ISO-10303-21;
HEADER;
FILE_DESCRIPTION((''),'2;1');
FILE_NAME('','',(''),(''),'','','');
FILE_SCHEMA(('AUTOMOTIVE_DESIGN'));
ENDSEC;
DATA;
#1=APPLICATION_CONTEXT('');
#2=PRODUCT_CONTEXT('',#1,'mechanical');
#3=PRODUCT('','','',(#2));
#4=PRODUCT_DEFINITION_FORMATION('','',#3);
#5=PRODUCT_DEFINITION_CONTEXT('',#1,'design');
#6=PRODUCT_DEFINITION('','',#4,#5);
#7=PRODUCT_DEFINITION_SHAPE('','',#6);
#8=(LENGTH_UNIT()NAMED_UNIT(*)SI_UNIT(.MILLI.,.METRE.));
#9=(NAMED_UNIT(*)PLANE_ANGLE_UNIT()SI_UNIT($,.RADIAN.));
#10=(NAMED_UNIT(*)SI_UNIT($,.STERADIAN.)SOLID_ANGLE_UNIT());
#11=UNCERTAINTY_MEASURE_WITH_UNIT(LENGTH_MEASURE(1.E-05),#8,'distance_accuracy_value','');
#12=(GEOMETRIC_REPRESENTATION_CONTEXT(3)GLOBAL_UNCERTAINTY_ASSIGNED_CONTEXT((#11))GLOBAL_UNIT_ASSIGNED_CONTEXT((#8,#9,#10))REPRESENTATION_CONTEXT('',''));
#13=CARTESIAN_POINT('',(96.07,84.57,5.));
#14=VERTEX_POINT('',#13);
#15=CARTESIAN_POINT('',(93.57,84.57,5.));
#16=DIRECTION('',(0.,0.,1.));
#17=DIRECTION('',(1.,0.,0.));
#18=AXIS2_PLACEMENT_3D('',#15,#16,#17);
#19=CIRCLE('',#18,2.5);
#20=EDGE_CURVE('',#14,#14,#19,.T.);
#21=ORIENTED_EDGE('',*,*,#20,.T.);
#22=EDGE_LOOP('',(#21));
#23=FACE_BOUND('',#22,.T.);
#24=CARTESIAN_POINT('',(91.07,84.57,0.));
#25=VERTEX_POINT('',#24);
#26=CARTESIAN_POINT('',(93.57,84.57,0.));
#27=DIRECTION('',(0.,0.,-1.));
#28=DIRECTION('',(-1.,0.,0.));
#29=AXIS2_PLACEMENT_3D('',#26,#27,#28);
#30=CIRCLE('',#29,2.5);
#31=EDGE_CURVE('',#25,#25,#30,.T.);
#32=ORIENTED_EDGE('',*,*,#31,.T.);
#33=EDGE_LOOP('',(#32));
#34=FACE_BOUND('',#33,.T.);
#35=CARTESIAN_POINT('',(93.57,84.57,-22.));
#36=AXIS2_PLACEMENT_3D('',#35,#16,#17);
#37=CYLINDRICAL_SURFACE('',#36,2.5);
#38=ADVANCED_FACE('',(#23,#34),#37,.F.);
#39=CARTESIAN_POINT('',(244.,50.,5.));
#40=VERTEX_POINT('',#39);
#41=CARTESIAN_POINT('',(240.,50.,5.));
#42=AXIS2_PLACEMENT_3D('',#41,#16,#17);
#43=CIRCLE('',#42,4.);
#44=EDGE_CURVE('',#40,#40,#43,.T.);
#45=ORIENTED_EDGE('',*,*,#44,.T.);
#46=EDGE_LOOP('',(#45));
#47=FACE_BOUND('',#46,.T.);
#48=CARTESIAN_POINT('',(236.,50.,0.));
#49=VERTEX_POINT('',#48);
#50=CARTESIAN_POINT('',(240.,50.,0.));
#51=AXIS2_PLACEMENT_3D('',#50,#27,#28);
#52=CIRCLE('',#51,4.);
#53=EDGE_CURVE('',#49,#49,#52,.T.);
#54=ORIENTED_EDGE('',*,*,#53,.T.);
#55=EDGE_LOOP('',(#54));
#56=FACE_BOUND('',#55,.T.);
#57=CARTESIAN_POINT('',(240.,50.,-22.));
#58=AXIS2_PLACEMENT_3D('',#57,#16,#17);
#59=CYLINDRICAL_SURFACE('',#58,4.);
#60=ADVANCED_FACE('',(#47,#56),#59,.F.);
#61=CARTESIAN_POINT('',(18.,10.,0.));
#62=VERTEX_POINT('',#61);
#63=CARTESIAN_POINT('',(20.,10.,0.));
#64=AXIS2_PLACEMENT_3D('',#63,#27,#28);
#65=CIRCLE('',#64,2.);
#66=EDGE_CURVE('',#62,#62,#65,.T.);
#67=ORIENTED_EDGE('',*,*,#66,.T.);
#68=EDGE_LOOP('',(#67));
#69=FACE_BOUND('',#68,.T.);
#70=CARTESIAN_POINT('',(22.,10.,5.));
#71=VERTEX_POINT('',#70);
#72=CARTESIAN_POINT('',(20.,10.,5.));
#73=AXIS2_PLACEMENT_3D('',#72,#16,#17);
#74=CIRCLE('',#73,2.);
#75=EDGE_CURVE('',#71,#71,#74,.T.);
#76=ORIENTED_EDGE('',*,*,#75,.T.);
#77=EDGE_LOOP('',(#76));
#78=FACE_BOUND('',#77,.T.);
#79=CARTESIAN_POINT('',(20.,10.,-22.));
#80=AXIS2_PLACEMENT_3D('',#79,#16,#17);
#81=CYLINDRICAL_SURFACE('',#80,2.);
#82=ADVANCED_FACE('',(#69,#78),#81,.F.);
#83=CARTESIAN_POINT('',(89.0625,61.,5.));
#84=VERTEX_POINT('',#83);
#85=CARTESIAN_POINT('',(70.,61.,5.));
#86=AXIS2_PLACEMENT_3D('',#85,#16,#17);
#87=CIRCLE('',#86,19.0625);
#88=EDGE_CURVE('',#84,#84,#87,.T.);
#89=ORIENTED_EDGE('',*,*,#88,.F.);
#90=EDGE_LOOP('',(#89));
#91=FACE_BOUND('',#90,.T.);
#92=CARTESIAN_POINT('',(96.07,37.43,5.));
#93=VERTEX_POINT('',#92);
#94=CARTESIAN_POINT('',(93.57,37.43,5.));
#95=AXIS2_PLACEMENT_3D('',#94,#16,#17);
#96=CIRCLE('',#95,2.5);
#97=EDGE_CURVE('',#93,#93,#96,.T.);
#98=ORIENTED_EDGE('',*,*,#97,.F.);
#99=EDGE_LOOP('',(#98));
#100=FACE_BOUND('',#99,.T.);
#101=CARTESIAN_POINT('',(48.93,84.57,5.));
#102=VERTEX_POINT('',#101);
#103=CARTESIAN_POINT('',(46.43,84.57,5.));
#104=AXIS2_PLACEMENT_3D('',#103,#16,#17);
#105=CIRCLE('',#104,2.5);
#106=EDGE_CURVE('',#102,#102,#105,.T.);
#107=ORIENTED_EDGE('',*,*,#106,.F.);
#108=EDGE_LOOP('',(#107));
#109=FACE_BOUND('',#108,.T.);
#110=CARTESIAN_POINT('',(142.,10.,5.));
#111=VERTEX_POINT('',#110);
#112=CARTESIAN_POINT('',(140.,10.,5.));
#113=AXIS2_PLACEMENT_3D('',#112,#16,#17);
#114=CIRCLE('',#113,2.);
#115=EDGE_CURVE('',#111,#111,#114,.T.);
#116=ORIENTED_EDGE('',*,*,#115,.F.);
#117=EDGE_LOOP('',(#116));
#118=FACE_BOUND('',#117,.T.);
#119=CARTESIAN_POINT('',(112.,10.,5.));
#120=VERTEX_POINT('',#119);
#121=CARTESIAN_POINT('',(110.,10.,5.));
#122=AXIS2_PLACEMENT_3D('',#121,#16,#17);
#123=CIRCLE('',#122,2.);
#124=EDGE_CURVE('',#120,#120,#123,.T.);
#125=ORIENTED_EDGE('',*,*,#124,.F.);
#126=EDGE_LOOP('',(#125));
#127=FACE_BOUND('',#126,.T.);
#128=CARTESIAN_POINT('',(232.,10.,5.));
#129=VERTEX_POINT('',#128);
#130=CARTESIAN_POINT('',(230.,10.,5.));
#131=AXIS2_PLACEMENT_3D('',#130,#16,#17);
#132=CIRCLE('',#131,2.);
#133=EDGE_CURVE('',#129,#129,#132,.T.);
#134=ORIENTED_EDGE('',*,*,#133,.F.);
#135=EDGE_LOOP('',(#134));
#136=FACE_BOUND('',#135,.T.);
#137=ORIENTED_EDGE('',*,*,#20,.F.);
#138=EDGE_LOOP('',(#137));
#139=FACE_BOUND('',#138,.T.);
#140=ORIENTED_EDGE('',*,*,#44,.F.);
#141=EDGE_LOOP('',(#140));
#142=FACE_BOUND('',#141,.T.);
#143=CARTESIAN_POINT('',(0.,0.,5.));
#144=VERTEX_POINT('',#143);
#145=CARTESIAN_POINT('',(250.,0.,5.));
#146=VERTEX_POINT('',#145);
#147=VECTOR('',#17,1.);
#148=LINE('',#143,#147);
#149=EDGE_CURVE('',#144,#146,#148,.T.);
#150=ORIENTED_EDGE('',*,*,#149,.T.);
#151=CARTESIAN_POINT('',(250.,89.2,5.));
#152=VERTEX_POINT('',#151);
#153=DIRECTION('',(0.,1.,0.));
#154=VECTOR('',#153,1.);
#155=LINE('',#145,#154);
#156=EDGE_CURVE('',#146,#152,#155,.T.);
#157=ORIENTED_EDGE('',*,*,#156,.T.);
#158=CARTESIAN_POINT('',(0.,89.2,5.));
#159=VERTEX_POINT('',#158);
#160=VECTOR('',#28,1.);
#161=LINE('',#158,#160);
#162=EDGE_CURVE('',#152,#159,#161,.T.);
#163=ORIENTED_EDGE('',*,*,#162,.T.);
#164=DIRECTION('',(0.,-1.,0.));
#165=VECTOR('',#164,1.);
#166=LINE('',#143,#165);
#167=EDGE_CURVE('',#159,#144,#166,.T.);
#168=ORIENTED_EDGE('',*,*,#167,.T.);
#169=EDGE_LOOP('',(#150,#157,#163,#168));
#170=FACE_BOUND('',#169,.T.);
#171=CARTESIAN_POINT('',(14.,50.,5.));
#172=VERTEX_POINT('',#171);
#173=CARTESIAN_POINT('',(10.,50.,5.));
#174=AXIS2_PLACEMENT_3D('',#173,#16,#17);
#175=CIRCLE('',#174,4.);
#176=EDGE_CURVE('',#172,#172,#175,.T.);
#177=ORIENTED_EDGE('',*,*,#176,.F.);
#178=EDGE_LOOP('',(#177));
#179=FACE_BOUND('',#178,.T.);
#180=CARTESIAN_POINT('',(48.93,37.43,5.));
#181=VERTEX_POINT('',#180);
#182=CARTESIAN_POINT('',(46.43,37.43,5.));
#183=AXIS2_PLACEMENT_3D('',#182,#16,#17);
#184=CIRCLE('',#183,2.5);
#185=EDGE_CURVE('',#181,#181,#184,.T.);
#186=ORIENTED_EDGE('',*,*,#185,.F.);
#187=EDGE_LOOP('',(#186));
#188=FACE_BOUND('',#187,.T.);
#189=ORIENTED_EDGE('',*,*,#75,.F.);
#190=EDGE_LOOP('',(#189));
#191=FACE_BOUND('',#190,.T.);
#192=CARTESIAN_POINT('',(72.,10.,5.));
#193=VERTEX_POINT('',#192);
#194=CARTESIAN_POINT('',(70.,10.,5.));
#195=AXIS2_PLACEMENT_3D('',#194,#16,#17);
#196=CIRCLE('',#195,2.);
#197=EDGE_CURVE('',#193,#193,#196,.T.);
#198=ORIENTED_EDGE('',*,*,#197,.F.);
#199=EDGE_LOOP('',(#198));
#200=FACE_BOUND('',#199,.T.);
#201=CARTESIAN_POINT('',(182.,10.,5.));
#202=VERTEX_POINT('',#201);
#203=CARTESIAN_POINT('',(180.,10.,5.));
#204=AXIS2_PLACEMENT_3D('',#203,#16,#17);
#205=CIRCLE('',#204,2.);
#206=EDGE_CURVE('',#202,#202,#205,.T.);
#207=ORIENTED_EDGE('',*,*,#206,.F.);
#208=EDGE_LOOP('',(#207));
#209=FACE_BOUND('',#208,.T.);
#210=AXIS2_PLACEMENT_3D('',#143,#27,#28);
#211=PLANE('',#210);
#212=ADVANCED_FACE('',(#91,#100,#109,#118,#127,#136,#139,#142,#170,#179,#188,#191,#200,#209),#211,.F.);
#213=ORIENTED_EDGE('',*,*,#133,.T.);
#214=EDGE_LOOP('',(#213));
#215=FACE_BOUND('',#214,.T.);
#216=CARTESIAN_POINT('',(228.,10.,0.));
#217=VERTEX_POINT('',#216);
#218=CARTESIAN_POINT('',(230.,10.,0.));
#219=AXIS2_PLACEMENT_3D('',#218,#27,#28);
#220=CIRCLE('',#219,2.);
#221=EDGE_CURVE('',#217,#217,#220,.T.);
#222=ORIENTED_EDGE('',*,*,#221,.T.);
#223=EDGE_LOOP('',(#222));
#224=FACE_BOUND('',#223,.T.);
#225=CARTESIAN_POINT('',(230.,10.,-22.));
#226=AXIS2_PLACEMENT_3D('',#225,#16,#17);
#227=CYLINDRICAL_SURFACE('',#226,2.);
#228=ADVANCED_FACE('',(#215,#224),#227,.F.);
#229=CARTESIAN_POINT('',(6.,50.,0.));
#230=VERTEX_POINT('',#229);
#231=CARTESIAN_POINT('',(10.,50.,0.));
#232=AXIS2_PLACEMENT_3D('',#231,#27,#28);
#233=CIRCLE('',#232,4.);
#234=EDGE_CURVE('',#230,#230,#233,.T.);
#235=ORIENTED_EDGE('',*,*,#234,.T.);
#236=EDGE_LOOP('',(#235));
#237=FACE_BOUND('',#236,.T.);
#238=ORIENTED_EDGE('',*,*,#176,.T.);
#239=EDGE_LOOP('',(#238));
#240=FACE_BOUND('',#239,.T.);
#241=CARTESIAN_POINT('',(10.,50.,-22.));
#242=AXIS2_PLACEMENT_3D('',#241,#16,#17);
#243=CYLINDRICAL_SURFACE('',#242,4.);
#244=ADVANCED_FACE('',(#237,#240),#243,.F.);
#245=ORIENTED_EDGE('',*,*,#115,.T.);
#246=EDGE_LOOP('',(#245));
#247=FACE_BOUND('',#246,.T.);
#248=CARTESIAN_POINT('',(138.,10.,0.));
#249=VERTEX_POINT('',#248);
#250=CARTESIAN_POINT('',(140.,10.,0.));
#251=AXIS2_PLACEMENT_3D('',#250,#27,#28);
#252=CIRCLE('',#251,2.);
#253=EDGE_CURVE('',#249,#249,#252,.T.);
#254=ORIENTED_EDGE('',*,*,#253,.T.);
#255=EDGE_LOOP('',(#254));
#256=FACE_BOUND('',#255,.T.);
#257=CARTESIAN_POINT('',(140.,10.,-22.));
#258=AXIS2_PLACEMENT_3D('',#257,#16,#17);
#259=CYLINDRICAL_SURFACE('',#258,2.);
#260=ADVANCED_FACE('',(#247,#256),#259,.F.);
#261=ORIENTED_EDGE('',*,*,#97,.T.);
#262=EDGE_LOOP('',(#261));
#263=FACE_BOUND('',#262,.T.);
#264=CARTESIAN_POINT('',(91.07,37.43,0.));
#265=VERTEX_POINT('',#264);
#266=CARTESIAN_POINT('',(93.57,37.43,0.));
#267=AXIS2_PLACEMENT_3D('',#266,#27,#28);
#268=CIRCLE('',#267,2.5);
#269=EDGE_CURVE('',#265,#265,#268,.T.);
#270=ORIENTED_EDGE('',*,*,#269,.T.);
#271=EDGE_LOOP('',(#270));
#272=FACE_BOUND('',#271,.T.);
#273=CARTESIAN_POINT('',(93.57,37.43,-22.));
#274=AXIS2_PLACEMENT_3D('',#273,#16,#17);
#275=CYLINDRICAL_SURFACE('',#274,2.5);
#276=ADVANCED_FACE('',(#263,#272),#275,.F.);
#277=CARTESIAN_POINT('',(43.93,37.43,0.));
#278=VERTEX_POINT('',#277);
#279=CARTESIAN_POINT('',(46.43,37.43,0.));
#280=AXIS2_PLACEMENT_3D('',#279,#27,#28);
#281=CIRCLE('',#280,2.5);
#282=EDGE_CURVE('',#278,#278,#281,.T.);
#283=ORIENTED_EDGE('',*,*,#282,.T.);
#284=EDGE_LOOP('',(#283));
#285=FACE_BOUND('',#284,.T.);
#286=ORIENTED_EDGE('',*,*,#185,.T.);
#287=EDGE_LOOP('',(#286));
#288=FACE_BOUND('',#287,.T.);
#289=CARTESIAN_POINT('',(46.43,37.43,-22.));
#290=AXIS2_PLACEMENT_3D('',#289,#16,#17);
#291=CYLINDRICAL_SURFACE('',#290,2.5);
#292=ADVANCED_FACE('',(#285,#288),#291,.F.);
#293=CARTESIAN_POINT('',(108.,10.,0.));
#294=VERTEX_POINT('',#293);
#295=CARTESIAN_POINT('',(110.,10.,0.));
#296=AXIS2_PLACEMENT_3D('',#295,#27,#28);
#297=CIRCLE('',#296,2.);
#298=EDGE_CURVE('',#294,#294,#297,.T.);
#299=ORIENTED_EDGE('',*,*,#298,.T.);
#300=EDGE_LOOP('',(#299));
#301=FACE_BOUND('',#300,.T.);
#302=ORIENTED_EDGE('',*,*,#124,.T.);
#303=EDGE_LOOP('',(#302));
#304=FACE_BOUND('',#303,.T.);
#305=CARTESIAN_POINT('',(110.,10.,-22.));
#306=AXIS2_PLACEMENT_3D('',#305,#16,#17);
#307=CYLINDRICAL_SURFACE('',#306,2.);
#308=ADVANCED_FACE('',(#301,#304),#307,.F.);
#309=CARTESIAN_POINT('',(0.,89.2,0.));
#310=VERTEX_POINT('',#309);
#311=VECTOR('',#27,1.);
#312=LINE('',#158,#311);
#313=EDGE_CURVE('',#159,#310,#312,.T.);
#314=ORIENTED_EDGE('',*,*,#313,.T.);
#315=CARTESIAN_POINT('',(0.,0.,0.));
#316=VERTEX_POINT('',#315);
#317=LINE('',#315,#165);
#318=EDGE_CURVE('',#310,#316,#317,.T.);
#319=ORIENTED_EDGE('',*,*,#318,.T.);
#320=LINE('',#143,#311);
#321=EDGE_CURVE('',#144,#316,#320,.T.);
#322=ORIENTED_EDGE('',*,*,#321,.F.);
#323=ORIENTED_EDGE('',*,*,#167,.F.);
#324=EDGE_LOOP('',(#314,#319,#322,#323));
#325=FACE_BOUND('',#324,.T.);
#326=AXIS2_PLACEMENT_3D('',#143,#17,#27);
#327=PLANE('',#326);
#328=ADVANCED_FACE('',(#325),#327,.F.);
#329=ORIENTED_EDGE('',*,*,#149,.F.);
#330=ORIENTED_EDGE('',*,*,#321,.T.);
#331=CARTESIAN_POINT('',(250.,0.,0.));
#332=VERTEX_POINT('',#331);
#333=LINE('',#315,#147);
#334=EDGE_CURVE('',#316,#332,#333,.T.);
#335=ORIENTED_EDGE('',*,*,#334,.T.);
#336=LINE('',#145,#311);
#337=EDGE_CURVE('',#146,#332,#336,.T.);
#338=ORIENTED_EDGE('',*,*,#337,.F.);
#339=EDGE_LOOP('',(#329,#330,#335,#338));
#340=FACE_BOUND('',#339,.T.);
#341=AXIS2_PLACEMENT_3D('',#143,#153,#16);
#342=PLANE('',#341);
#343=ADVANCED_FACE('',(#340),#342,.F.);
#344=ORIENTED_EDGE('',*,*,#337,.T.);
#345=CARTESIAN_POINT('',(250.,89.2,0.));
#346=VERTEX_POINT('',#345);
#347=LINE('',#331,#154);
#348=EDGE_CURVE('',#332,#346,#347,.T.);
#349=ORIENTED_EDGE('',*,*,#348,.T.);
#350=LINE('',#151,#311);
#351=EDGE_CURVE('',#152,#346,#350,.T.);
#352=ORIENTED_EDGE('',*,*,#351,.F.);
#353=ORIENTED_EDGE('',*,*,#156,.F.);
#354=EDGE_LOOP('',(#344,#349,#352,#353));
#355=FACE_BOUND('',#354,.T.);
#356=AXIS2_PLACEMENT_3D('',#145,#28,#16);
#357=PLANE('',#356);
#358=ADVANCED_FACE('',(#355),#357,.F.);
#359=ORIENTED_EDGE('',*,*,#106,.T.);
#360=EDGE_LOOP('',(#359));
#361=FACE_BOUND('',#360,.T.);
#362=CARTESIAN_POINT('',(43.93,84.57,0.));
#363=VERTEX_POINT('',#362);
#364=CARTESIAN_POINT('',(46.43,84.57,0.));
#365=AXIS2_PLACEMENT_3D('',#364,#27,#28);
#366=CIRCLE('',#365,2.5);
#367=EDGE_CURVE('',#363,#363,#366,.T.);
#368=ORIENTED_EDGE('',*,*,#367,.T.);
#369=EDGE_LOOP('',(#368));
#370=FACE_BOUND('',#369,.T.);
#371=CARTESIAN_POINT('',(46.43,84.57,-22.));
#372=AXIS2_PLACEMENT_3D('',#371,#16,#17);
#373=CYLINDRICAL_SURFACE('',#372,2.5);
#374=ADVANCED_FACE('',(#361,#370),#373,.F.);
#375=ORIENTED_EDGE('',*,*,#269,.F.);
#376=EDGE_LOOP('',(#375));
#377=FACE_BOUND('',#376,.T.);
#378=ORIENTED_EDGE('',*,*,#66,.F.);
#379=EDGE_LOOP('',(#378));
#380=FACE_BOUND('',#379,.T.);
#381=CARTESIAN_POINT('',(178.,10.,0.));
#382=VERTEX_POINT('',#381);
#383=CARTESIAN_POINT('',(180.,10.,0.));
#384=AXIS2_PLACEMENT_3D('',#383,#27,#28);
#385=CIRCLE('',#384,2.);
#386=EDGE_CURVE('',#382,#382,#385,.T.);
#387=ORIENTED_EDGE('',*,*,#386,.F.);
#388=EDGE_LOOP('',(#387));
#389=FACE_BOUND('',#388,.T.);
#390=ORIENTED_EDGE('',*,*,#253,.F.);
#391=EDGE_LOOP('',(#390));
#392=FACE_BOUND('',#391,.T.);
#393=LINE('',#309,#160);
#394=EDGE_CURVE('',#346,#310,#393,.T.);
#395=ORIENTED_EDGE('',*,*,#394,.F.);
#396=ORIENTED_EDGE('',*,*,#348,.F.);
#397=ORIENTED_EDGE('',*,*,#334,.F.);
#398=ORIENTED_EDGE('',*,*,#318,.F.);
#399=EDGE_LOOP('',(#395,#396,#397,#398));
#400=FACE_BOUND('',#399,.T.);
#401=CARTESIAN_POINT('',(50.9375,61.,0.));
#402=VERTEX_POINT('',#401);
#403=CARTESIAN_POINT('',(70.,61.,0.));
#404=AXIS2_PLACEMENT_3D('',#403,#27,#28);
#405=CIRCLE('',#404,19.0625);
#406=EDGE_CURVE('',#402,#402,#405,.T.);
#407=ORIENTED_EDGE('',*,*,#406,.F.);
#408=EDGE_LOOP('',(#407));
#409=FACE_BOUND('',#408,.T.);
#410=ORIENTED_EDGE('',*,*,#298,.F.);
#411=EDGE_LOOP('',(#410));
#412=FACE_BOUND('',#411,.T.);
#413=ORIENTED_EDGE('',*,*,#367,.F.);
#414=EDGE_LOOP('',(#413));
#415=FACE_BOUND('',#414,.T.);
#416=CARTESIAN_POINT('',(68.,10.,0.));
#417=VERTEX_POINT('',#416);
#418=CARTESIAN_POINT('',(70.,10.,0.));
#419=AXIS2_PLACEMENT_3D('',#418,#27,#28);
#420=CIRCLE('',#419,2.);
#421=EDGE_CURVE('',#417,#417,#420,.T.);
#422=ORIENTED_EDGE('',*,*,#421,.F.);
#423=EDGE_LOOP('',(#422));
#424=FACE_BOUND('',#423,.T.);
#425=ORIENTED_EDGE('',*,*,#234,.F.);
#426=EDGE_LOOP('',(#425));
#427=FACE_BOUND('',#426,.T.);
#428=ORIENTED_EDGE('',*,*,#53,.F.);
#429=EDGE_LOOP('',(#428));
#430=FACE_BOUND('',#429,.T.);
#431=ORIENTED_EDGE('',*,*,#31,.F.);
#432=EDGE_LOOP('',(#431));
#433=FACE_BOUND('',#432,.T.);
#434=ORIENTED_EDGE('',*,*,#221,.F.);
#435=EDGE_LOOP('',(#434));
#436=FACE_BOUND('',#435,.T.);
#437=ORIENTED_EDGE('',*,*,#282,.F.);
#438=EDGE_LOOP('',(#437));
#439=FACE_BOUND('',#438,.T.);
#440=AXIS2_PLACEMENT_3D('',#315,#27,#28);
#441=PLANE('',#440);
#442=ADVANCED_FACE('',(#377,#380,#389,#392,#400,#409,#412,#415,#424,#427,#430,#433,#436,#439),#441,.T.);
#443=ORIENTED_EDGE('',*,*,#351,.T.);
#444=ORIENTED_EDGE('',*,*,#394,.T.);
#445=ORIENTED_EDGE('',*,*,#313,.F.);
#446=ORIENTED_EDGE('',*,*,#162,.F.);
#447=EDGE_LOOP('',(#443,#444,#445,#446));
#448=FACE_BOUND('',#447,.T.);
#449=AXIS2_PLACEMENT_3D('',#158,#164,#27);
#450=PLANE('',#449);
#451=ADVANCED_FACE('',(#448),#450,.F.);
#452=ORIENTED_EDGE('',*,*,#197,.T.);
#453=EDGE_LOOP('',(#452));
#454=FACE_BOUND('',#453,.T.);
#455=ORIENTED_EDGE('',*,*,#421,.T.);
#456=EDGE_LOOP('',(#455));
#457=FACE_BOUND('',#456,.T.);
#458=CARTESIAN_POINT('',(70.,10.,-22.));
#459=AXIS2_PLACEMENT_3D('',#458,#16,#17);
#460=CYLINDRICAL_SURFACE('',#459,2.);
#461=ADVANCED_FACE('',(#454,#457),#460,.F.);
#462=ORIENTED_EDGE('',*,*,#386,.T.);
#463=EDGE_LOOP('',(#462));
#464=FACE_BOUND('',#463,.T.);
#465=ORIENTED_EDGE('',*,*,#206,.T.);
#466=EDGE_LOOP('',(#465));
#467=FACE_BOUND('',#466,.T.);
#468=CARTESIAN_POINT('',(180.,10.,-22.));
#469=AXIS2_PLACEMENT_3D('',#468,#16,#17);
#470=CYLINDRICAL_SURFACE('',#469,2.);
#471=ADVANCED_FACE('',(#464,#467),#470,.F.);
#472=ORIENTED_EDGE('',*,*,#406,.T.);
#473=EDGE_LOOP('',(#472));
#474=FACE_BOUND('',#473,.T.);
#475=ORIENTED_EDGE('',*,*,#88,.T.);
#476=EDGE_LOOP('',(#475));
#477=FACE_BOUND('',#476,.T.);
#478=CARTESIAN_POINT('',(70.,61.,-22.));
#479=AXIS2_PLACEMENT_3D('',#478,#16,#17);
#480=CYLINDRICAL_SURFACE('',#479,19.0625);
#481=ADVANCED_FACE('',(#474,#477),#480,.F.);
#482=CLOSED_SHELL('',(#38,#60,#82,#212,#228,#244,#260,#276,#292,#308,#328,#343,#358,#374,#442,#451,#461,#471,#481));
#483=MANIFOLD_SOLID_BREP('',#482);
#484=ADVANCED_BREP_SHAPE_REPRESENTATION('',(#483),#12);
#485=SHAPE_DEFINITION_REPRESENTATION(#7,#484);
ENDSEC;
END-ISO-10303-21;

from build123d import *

# Parameters (mm, degrees)
SKIZZE1_W                       = 250
SKIZZE1_H                       = 89.2
AUFSATZ_LINEAR_AUSTRAGEN1_DEPTH = 5
SKIZZE2_R                       = 2
SKIZZE2_R_2                     = 4
SCHNITT_LINEAR_AUSTRAGEN1_DEPTH = 27
SKIZZE3_R                       = 2.5
SCHNITT_LINEAR_AUSTRAGEN2_DEPTH = 27
SKIZZE4_R                       = 19.0625
SCHNITT_LINEAR_AUSTRAGEN3_DEPTH = 27


with BuildPart() as part:
    # Skizze1 → Aufsatz-Linear austragen1 (new body)
    with BuildSketch(Plane.XY):
        with Locations((125, 44.6)):
            Rectangle(SKIZZE1_W, SKIZZE1_H)
    extrude(amount=AUFSATZ_LINEAR_AUSTRAGEN1_DEPTH)

    # Skizze2 → Schnitt-Linear austragen1 (cut)
    with BuildSketch(Plane.XY.offset(5)):
        with Locations((20, 10)):
            Circle(SKIZZE2_R)
        with Locations((70, 10)):
            Circle(SKIZZE2_R)
        with Locations((110, 10)):
            Circle(SKIZZE2_R)
        with Locations((140, 10)):
            Circle(SKIZZE2_R)
        with Locations((180, 10)):
            Circle(SKIZZE2_R)
        with Locations((230, 10)):
            Circle(SKIZZE2_R)
        with Locations((240, 50)):
            Circle(SKIZZE2_R_2)
        with Locations((10, 50)):
            Circle(SKIZZE2_R_2)
    extrude(amount=-SCHNITT_LINEAR_AUSTRAGEN1_DEPTH, mode=Mode.SUBTRACT)

    # Skizze3 → Schnitt-Linear austragen2 (cut)
    with BuildSketch(Plane.XY.offset(5)):
        with Locations((93.57, 84.57)):
            Circle(SKIZZE3_R)
        with Locations((46.43, 84.57)):
            Circle(SKIZZE3_R)
        with Locations((46.43, 37.43)):
            Circle(SKIZZE3_R)
        with Locations((93.57, 37.43)):
            Circle(SKIZZE3_R)
    extrude(amount=-SCHNITT_LINEAR_AUSTRAGEN2_DEPTH, mode=Mode.SUBTRACT)

    # Skizze4 → Schnitt-Linear austragen3 (cut)
    with BuildSketch(Plane.XY.offset(5)):
        with Locations((70, 61)):
            Circle(SKIZZE4_R)
    extrude(amount=-SCHNITT_LINEAR_AUSTRAGEN3_DEPTH, mode=Mode.SUBTRACT)


solid = part.part
